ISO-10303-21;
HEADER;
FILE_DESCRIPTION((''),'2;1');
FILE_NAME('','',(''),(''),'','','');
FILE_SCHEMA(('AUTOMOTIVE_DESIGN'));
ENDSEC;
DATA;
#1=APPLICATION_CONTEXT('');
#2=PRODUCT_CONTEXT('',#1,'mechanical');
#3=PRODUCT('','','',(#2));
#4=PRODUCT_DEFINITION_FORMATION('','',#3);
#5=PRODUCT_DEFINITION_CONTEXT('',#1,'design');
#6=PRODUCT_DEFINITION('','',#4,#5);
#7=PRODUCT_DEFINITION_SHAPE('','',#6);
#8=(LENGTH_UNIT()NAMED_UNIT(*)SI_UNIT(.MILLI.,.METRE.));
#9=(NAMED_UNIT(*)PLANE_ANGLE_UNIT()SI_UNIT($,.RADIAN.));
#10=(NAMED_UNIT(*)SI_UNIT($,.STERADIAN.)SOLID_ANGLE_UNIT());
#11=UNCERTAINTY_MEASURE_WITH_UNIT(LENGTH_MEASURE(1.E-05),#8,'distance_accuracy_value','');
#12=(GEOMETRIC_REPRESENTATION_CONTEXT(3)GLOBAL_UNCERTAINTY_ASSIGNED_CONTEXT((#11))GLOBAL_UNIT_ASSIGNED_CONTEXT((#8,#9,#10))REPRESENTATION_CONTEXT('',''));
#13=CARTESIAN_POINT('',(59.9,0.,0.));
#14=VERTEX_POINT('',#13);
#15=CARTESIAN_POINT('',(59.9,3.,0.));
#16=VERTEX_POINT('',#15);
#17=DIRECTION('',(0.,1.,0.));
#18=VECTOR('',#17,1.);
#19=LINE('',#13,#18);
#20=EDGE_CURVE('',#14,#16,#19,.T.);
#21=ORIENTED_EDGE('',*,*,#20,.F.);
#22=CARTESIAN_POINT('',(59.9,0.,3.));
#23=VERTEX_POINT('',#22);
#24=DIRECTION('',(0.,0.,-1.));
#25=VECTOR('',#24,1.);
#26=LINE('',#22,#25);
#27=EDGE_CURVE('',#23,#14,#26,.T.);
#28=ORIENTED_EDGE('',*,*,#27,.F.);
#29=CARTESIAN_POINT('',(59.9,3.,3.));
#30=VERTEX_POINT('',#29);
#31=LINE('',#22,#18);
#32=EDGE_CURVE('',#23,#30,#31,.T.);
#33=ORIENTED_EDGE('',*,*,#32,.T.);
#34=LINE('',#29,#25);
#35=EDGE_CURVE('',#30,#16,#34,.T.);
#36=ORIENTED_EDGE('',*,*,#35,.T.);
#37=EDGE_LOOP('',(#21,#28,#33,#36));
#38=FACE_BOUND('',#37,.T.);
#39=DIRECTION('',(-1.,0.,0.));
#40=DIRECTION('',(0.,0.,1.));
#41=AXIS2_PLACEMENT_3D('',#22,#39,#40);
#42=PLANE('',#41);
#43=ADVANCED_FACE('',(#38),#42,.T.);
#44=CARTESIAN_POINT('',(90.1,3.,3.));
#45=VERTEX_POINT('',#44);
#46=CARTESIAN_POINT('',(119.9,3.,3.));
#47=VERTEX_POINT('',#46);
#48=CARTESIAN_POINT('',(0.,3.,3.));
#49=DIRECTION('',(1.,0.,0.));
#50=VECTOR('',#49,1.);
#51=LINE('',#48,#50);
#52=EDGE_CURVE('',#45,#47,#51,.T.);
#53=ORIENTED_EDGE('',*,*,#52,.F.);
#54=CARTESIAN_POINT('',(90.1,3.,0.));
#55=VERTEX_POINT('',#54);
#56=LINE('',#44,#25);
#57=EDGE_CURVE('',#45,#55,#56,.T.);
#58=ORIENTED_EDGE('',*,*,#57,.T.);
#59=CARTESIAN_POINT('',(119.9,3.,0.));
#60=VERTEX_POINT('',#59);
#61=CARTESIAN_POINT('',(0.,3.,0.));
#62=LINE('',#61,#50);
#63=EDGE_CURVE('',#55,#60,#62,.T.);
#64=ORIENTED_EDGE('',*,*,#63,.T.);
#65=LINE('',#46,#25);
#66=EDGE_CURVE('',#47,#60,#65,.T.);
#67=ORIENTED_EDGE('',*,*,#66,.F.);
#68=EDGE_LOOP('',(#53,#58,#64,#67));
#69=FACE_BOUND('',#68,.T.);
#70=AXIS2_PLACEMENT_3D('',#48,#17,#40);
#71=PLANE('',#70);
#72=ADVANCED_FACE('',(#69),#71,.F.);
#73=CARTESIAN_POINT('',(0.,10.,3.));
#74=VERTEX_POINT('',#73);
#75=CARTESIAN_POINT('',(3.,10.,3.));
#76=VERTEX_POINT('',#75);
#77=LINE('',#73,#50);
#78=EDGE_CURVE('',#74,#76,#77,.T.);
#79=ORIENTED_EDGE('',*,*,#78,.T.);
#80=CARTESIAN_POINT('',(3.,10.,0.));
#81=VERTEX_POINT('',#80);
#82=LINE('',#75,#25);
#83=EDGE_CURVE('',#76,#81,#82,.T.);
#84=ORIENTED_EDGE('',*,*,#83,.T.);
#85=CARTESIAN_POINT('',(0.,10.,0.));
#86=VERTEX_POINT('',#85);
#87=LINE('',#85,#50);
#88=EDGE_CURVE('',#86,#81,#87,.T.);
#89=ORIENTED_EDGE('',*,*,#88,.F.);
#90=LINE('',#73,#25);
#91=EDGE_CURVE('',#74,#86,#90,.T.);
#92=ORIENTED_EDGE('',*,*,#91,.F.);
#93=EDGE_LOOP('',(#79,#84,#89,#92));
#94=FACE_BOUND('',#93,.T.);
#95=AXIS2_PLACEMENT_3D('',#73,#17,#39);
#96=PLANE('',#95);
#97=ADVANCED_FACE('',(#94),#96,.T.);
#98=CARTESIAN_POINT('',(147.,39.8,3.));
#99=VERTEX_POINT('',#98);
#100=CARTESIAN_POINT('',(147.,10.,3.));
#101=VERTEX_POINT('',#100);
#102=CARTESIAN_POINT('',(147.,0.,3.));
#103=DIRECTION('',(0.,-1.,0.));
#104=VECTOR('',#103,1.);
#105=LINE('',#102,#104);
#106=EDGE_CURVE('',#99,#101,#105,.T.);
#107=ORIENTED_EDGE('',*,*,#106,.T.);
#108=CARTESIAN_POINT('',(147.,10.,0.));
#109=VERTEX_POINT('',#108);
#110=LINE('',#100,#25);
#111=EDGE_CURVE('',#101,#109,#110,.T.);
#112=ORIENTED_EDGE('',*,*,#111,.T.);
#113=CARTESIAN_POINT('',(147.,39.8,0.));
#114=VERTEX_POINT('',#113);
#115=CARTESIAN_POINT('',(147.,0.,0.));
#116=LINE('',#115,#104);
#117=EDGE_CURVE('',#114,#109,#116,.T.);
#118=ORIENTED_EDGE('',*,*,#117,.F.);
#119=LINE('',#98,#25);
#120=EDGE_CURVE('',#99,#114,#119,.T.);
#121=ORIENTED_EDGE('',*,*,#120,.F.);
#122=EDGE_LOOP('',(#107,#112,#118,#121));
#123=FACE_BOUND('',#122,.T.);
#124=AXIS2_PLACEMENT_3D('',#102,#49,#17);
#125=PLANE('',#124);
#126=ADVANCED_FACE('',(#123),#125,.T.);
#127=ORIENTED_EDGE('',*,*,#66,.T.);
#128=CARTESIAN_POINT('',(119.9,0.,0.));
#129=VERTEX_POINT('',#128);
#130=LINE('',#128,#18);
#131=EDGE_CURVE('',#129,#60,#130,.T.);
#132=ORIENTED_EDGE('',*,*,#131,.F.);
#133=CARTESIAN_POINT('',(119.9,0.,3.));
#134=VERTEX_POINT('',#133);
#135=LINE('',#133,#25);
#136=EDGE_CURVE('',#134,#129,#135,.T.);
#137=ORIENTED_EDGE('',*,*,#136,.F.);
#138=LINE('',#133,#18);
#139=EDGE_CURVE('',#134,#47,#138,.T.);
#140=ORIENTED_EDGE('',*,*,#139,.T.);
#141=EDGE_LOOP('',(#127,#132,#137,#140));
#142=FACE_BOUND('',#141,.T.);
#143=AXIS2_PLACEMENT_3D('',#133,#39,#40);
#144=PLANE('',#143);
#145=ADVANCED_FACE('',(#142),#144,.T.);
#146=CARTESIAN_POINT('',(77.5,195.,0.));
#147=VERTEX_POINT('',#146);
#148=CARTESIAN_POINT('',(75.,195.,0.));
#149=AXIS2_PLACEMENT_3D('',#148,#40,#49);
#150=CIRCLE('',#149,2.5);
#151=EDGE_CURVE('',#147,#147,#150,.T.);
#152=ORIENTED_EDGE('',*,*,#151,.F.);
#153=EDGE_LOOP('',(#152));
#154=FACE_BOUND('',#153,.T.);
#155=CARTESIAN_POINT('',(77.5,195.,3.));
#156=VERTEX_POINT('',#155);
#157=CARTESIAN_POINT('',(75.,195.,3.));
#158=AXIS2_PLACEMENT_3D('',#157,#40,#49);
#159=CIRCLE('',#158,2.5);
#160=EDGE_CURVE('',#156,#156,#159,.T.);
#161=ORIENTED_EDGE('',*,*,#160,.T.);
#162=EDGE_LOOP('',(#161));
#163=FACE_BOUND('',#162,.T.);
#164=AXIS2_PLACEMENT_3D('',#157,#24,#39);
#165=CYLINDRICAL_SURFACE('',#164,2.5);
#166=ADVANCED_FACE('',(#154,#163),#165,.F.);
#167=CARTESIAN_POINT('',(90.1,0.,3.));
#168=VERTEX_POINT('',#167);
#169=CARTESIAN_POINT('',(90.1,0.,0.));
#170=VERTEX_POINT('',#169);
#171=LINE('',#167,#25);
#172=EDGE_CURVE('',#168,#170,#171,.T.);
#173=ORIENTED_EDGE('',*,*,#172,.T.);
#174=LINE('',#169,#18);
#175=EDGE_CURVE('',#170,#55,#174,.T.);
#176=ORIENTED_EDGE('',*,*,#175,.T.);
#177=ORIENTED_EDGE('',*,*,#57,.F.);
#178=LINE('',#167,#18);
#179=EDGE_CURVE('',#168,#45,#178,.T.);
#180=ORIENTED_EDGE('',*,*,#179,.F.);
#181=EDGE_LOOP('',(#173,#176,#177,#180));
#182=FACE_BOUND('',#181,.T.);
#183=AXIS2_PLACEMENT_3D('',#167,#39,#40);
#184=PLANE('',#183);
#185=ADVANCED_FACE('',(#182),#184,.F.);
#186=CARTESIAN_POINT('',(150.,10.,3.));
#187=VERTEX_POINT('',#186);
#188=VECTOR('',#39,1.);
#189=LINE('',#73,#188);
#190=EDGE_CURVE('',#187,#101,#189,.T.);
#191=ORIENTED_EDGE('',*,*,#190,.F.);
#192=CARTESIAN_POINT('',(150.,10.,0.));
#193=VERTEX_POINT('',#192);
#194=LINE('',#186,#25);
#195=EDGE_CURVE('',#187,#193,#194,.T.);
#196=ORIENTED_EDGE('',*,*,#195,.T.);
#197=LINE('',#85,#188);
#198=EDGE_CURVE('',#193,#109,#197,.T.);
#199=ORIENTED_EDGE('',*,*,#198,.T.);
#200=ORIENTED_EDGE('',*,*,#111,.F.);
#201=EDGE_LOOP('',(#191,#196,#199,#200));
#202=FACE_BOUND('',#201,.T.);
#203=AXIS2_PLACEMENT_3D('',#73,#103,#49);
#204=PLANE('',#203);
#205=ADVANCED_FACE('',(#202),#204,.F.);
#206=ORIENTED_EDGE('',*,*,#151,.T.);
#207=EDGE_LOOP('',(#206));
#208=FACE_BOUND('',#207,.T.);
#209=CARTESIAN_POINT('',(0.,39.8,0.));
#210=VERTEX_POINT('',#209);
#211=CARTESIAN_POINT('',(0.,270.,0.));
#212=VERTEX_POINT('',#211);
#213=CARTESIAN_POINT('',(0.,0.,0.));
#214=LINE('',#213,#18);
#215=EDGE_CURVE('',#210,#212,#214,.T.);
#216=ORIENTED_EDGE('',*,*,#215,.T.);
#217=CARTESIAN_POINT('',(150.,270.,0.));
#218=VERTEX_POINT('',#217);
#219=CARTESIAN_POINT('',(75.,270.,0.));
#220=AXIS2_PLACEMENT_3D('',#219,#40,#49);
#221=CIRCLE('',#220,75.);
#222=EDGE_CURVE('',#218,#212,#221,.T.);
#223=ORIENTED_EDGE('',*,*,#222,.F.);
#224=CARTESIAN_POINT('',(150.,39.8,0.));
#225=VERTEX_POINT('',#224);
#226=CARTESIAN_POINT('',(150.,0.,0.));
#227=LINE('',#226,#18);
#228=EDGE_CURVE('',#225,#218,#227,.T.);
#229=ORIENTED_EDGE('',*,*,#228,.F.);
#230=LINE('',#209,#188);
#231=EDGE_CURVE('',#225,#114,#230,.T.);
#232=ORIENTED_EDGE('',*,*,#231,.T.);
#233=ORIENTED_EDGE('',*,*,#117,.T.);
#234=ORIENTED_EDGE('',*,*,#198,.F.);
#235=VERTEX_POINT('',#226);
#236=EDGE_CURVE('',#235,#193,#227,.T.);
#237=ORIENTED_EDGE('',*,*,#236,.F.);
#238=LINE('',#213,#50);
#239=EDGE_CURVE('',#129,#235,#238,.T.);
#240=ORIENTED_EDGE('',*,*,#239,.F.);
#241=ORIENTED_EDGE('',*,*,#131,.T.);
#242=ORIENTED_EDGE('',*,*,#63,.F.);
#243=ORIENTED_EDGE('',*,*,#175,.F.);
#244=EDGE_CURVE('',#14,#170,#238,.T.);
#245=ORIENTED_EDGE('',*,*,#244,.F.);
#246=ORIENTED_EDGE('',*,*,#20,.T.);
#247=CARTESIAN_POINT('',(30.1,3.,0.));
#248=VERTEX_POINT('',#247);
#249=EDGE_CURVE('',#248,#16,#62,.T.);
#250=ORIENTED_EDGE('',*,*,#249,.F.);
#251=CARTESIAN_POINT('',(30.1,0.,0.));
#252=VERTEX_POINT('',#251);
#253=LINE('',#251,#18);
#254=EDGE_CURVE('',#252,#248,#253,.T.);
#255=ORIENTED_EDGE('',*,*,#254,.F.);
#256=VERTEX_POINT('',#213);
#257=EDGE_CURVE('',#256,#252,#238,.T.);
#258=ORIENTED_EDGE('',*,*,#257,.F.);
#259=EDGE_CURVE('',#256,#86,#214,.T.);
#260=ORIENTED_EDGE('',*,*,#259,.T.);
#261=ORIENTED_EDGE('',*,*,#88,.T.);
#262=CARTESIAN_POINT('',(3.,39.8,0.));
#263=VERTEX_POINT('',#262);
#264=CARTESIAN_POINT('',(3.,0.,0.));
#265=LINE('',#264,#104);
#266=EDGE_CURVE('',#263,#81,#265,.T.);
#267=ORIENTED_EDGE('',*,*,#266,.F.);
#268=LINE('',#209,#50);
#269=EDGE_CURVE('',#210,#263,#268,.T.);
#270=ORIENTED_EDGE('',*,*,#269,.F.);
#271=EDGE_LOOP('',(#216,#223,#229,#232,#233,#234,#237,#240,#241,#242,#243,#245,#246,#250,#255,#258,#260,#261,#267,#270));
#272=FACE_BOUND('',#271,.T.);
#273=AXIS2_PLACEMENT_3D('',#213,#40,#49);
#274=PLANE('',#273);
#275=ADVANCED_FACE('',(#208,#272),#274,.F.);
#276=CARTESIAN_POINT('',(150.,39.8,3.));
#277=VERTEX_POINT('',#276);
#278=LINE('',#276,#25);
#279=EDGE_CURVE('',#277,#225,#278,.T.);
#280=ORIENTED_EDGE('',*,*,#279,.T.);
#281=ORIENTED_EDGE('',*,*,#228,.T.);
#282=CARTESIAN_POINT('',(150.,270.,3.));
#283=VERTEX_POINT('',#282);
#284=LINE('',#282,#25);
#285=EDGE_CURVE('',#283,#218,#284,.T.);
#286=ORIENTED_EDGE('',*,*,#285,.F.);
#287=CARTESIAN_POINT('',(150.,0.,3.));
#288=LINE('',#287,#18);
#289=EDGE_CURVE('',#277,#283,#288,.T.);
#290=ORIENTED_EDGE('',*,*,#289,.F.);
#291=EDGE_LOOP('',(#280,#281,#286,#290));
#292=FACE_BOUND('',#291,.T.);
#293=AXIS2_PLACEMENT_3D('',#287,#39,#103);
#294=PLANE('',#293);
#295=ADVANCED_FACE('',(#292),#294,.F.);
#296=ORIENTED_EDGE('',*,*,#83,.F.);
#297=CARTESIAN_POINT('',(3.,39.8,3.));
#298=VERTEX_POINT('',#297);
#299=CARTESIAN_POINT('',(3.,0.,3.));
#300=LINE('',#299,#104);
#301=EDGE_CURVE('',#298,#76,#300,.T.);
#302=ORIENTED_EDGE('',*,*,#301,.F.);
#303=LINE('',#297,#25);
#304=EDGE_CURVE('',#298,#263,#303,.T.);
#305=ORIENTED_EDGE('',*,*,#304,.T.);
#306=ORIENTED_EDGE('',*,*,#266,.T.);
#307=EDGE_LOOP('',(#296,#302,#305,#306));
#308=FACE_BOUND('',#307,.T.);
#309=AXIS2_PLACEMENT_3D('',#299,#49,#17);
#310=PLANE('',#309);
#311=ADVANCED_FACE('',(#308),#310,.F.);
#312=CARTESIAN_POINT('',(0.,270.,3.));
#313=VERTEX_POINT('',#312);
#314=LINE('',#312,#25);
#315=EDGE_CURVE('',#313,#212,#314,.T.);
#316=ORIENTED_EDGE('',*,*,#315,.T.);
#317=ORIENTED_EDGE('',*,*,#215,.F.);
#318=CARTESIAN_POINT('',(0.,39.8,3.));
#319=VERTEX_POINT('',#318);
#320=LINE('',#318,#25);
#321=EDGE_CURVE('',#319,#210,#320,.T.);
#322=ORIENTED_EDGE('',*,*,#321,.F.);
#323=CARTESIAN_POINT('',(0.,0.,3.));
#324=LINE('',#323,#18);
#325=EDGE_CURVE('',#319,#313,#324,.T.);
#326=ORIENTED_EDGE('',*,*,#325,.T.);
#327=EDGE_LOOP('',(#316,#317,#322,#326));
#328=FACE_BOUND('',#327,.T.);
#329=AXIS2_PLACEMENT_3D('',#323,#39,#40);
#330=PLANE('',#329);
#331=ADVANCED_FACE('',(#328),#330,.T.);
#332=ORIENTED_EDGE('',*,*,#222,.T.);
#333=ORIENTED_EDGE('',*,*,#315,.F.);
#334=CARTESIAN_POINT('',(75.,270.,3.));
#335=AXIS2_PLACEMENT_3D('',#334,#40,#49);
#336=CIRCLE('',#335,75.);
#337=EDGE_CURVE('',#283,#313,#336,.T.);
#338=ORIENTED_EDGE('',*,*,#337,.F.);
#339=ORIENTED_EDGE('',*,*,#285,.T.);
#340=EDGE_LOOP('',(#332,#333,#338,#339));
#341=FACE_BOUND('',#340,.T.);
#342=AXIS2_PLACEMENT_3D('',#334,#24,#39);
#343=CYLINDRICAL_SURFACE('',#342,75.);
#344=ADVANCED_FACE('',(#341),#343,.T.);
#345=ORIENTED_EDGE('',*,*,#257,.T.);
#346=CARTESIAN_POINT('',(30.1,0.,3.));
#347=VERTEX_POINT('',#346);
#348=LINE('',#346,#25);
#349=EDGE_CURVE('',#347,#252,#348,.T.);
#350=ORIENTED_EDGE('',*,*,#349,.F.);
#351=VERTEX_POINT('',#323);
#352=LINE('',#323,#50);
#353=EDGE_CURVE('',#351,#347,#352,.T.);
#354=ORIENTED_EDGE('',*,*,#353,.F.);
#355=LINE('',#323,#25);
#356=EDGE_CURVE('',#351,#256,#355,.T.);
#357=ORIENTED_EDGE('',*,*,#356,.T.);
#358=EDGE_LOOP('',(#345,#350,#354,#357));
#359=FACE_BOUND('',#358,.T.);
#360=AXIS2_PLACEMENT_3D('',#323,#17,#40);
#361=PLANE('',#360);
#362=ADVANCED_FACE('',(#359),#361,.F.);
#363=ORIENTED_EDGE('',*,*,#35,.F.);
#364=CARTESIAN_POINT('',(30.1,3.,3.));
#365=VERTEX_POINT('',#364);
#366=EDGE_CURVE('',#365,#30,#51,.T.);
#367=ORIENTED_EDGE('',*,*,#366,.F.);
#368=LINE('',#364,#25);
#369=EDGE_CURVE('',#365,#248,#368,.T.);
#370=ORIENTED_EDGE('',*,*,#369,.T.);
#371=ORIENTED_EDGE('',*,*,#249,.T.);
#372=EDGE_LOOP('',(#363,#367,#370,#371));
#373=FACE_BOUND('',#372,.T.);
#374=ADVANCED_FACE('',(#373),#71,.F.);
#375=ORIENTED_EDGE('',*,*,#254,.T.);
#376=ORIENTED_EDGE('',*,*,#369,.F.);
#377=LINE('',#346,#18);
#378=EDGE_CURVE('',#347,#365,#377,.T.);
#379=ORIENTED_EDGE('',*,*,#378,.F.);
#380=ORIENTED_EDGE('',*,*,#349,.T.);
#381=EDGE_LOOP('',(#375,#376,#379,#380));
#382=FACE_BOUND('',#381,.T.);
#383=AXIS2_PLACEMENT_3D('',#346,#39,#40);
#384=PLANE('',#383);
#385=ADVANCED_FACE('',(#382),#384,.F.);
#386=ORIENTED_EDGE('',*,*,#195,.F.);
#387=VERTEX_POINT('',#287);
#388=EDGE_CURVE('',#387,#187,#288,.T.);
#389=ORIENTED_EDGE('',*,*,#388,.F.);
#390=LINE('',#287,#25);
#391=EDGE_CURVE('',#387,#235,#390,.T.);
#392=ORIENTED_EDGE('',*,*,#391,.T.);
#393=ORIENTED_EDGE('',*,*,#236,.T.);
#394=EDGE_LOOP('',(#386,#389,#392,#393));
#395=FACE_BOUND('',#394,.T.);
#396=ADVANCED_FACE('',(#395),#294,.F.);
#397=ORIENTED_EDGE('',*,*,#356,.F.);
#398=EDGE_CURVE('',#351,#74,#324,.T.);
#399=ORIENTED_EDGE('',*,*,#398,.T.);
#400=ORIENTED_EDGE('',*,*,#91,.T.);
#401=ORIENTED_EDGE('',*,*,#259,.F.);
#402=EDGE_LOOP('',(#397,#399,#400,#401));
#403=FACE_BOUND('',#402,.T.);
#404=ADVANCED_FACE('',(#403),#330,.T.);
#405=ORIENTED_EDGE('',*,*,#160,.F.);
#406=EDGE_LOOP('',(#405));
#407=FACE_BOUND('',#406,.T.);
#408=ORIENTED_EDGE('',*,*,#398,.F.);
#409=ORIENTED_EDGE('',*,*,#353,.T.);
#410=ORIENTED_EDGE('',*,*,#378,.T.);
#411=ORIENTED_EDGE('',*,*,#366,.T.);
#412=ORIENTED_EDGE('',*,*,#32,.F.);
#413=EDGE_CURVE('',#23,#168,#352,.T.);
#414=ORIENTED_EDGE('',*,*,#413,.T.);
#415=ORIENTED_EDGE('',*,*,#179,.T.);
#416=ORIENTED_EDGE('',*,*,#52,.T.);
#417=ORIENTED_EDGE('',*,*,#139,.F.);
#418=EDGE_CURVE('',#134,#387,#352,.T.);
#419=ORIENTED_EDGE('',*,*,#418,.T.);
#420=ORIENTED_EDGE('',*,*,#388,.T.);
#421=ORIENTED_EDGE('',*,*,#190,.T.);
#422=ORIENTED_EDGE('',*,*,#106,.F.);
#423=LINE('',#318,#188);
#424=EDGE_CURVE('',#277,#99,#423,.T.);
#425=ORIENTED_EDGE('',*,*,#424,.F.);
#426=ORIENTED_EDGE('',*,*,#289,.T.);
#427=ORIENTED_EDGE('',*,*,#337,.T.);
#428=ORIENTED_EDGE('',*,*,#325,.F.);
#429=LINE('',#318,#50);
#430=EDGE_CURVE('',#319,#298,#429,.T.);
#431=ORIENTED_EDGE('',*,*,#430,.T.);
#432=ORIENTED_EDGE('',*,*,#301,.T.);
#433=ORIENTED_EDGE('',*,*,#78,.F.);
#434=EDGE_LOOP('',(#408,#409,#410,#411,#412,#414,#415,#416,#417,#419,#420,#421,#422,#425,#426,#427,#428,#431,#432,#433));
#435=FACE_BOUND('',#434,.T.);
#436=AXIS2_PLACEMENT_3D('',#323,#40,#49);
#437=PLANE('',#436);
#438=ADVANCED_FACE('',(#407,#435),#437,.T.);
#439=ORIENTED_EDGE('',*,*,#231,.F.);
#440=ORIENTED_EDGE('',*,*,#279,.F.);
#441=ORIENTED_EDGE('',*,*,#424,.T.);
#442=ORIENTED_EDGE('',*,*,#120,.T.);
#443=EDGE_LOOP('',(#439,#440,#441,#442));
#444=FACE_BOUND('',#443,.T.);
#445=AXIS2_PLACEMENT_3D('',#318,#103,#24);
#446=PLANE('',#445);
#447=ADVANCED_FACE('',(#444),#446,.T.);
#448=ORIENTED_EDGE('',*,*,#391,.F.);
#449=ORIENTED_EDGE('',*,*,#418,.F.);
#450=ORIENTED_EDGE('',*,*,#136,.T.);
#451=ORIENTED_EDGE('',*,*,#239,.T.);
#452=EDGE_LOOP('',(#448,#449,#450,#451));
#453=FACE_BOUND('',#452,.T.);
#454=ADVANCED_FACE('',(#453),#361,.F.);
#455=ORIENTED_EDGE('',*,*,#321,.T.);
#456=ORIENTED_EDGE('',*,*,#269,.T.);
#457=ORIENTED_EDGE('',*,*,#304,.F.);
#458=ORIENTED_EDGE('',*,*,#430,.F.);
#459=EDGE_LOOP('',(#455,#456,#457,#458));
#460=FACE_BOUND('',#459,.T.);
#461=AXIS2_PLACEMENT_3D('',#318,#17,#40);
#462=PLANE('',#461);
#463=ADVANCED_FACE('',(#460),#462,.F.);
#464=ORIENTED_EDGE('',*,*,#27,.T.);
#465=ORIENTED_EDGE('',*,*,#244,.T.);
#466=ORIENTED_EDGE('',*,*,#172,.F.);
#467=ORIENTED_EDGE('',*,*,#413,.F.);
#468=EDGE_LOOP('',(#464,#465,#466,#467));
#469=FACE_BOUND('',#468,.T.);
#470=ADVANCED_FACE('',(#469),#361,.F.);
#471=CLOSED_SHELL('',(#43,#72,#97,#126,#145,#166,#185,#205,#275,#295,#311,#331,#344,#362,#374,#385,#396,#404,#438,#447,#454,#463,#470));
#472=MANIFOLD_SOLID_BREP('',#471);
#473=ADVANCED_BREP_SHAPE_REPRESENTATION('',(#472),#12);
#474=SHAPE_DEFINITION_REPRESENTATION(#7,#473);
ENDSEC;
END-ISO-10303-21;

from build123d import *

# Parameters (mm, degrees)
SKETCH1_R           = 2.5
BOSS_EXTRUDE1_DEPTH = 3


with BuildPart() as part:
    # Sketch1 → Boss-Extrude1 (new body)
    with BuildSketch(Plane.XY):
        with BuildLine():
            Line((59.9, 0), (90.1, 0))
            Line((90.1, 0), (90.1, 3))
            Line((90.1, 3), (119.9, 3))
            Line((119.9, 3), (119.9, 0))
            Line((119.9, 0), (150, 0))
            Line((150, 0), (150, 10))
            Line((150, 10), (147, 10))
            Line((147, 10), (147, 39.8))
            Line((147, 39.8), (150, 39.8))
            Line((150, 39.8), (150, 270))
            ThreePointArc((150, 270), (75, 345), (0, 270))
            Line((0, 270), (0, 39.8))
            Line((0, 39.8), (3, 39.8))
            Line((3, 39.8), (3, 10))
            Line((3, 10), (0, 10))
            Line((0, 10), (0, 0))
            Line((0, 0), (30.1, 0))
            Line((30.1, 0), (30.1, 3))
            Line((30.1, 3), (59.9, 3))
            Line((59.9, 3), (59.9, 0))
        make_face()
        with Locations((75, 195)):
            Circle(SKETCH1_R, mode=Mode.SUBTRACT)
    extrude(amount=BOSS_EXTRUDE1_DEPTH)


solid = part.part
